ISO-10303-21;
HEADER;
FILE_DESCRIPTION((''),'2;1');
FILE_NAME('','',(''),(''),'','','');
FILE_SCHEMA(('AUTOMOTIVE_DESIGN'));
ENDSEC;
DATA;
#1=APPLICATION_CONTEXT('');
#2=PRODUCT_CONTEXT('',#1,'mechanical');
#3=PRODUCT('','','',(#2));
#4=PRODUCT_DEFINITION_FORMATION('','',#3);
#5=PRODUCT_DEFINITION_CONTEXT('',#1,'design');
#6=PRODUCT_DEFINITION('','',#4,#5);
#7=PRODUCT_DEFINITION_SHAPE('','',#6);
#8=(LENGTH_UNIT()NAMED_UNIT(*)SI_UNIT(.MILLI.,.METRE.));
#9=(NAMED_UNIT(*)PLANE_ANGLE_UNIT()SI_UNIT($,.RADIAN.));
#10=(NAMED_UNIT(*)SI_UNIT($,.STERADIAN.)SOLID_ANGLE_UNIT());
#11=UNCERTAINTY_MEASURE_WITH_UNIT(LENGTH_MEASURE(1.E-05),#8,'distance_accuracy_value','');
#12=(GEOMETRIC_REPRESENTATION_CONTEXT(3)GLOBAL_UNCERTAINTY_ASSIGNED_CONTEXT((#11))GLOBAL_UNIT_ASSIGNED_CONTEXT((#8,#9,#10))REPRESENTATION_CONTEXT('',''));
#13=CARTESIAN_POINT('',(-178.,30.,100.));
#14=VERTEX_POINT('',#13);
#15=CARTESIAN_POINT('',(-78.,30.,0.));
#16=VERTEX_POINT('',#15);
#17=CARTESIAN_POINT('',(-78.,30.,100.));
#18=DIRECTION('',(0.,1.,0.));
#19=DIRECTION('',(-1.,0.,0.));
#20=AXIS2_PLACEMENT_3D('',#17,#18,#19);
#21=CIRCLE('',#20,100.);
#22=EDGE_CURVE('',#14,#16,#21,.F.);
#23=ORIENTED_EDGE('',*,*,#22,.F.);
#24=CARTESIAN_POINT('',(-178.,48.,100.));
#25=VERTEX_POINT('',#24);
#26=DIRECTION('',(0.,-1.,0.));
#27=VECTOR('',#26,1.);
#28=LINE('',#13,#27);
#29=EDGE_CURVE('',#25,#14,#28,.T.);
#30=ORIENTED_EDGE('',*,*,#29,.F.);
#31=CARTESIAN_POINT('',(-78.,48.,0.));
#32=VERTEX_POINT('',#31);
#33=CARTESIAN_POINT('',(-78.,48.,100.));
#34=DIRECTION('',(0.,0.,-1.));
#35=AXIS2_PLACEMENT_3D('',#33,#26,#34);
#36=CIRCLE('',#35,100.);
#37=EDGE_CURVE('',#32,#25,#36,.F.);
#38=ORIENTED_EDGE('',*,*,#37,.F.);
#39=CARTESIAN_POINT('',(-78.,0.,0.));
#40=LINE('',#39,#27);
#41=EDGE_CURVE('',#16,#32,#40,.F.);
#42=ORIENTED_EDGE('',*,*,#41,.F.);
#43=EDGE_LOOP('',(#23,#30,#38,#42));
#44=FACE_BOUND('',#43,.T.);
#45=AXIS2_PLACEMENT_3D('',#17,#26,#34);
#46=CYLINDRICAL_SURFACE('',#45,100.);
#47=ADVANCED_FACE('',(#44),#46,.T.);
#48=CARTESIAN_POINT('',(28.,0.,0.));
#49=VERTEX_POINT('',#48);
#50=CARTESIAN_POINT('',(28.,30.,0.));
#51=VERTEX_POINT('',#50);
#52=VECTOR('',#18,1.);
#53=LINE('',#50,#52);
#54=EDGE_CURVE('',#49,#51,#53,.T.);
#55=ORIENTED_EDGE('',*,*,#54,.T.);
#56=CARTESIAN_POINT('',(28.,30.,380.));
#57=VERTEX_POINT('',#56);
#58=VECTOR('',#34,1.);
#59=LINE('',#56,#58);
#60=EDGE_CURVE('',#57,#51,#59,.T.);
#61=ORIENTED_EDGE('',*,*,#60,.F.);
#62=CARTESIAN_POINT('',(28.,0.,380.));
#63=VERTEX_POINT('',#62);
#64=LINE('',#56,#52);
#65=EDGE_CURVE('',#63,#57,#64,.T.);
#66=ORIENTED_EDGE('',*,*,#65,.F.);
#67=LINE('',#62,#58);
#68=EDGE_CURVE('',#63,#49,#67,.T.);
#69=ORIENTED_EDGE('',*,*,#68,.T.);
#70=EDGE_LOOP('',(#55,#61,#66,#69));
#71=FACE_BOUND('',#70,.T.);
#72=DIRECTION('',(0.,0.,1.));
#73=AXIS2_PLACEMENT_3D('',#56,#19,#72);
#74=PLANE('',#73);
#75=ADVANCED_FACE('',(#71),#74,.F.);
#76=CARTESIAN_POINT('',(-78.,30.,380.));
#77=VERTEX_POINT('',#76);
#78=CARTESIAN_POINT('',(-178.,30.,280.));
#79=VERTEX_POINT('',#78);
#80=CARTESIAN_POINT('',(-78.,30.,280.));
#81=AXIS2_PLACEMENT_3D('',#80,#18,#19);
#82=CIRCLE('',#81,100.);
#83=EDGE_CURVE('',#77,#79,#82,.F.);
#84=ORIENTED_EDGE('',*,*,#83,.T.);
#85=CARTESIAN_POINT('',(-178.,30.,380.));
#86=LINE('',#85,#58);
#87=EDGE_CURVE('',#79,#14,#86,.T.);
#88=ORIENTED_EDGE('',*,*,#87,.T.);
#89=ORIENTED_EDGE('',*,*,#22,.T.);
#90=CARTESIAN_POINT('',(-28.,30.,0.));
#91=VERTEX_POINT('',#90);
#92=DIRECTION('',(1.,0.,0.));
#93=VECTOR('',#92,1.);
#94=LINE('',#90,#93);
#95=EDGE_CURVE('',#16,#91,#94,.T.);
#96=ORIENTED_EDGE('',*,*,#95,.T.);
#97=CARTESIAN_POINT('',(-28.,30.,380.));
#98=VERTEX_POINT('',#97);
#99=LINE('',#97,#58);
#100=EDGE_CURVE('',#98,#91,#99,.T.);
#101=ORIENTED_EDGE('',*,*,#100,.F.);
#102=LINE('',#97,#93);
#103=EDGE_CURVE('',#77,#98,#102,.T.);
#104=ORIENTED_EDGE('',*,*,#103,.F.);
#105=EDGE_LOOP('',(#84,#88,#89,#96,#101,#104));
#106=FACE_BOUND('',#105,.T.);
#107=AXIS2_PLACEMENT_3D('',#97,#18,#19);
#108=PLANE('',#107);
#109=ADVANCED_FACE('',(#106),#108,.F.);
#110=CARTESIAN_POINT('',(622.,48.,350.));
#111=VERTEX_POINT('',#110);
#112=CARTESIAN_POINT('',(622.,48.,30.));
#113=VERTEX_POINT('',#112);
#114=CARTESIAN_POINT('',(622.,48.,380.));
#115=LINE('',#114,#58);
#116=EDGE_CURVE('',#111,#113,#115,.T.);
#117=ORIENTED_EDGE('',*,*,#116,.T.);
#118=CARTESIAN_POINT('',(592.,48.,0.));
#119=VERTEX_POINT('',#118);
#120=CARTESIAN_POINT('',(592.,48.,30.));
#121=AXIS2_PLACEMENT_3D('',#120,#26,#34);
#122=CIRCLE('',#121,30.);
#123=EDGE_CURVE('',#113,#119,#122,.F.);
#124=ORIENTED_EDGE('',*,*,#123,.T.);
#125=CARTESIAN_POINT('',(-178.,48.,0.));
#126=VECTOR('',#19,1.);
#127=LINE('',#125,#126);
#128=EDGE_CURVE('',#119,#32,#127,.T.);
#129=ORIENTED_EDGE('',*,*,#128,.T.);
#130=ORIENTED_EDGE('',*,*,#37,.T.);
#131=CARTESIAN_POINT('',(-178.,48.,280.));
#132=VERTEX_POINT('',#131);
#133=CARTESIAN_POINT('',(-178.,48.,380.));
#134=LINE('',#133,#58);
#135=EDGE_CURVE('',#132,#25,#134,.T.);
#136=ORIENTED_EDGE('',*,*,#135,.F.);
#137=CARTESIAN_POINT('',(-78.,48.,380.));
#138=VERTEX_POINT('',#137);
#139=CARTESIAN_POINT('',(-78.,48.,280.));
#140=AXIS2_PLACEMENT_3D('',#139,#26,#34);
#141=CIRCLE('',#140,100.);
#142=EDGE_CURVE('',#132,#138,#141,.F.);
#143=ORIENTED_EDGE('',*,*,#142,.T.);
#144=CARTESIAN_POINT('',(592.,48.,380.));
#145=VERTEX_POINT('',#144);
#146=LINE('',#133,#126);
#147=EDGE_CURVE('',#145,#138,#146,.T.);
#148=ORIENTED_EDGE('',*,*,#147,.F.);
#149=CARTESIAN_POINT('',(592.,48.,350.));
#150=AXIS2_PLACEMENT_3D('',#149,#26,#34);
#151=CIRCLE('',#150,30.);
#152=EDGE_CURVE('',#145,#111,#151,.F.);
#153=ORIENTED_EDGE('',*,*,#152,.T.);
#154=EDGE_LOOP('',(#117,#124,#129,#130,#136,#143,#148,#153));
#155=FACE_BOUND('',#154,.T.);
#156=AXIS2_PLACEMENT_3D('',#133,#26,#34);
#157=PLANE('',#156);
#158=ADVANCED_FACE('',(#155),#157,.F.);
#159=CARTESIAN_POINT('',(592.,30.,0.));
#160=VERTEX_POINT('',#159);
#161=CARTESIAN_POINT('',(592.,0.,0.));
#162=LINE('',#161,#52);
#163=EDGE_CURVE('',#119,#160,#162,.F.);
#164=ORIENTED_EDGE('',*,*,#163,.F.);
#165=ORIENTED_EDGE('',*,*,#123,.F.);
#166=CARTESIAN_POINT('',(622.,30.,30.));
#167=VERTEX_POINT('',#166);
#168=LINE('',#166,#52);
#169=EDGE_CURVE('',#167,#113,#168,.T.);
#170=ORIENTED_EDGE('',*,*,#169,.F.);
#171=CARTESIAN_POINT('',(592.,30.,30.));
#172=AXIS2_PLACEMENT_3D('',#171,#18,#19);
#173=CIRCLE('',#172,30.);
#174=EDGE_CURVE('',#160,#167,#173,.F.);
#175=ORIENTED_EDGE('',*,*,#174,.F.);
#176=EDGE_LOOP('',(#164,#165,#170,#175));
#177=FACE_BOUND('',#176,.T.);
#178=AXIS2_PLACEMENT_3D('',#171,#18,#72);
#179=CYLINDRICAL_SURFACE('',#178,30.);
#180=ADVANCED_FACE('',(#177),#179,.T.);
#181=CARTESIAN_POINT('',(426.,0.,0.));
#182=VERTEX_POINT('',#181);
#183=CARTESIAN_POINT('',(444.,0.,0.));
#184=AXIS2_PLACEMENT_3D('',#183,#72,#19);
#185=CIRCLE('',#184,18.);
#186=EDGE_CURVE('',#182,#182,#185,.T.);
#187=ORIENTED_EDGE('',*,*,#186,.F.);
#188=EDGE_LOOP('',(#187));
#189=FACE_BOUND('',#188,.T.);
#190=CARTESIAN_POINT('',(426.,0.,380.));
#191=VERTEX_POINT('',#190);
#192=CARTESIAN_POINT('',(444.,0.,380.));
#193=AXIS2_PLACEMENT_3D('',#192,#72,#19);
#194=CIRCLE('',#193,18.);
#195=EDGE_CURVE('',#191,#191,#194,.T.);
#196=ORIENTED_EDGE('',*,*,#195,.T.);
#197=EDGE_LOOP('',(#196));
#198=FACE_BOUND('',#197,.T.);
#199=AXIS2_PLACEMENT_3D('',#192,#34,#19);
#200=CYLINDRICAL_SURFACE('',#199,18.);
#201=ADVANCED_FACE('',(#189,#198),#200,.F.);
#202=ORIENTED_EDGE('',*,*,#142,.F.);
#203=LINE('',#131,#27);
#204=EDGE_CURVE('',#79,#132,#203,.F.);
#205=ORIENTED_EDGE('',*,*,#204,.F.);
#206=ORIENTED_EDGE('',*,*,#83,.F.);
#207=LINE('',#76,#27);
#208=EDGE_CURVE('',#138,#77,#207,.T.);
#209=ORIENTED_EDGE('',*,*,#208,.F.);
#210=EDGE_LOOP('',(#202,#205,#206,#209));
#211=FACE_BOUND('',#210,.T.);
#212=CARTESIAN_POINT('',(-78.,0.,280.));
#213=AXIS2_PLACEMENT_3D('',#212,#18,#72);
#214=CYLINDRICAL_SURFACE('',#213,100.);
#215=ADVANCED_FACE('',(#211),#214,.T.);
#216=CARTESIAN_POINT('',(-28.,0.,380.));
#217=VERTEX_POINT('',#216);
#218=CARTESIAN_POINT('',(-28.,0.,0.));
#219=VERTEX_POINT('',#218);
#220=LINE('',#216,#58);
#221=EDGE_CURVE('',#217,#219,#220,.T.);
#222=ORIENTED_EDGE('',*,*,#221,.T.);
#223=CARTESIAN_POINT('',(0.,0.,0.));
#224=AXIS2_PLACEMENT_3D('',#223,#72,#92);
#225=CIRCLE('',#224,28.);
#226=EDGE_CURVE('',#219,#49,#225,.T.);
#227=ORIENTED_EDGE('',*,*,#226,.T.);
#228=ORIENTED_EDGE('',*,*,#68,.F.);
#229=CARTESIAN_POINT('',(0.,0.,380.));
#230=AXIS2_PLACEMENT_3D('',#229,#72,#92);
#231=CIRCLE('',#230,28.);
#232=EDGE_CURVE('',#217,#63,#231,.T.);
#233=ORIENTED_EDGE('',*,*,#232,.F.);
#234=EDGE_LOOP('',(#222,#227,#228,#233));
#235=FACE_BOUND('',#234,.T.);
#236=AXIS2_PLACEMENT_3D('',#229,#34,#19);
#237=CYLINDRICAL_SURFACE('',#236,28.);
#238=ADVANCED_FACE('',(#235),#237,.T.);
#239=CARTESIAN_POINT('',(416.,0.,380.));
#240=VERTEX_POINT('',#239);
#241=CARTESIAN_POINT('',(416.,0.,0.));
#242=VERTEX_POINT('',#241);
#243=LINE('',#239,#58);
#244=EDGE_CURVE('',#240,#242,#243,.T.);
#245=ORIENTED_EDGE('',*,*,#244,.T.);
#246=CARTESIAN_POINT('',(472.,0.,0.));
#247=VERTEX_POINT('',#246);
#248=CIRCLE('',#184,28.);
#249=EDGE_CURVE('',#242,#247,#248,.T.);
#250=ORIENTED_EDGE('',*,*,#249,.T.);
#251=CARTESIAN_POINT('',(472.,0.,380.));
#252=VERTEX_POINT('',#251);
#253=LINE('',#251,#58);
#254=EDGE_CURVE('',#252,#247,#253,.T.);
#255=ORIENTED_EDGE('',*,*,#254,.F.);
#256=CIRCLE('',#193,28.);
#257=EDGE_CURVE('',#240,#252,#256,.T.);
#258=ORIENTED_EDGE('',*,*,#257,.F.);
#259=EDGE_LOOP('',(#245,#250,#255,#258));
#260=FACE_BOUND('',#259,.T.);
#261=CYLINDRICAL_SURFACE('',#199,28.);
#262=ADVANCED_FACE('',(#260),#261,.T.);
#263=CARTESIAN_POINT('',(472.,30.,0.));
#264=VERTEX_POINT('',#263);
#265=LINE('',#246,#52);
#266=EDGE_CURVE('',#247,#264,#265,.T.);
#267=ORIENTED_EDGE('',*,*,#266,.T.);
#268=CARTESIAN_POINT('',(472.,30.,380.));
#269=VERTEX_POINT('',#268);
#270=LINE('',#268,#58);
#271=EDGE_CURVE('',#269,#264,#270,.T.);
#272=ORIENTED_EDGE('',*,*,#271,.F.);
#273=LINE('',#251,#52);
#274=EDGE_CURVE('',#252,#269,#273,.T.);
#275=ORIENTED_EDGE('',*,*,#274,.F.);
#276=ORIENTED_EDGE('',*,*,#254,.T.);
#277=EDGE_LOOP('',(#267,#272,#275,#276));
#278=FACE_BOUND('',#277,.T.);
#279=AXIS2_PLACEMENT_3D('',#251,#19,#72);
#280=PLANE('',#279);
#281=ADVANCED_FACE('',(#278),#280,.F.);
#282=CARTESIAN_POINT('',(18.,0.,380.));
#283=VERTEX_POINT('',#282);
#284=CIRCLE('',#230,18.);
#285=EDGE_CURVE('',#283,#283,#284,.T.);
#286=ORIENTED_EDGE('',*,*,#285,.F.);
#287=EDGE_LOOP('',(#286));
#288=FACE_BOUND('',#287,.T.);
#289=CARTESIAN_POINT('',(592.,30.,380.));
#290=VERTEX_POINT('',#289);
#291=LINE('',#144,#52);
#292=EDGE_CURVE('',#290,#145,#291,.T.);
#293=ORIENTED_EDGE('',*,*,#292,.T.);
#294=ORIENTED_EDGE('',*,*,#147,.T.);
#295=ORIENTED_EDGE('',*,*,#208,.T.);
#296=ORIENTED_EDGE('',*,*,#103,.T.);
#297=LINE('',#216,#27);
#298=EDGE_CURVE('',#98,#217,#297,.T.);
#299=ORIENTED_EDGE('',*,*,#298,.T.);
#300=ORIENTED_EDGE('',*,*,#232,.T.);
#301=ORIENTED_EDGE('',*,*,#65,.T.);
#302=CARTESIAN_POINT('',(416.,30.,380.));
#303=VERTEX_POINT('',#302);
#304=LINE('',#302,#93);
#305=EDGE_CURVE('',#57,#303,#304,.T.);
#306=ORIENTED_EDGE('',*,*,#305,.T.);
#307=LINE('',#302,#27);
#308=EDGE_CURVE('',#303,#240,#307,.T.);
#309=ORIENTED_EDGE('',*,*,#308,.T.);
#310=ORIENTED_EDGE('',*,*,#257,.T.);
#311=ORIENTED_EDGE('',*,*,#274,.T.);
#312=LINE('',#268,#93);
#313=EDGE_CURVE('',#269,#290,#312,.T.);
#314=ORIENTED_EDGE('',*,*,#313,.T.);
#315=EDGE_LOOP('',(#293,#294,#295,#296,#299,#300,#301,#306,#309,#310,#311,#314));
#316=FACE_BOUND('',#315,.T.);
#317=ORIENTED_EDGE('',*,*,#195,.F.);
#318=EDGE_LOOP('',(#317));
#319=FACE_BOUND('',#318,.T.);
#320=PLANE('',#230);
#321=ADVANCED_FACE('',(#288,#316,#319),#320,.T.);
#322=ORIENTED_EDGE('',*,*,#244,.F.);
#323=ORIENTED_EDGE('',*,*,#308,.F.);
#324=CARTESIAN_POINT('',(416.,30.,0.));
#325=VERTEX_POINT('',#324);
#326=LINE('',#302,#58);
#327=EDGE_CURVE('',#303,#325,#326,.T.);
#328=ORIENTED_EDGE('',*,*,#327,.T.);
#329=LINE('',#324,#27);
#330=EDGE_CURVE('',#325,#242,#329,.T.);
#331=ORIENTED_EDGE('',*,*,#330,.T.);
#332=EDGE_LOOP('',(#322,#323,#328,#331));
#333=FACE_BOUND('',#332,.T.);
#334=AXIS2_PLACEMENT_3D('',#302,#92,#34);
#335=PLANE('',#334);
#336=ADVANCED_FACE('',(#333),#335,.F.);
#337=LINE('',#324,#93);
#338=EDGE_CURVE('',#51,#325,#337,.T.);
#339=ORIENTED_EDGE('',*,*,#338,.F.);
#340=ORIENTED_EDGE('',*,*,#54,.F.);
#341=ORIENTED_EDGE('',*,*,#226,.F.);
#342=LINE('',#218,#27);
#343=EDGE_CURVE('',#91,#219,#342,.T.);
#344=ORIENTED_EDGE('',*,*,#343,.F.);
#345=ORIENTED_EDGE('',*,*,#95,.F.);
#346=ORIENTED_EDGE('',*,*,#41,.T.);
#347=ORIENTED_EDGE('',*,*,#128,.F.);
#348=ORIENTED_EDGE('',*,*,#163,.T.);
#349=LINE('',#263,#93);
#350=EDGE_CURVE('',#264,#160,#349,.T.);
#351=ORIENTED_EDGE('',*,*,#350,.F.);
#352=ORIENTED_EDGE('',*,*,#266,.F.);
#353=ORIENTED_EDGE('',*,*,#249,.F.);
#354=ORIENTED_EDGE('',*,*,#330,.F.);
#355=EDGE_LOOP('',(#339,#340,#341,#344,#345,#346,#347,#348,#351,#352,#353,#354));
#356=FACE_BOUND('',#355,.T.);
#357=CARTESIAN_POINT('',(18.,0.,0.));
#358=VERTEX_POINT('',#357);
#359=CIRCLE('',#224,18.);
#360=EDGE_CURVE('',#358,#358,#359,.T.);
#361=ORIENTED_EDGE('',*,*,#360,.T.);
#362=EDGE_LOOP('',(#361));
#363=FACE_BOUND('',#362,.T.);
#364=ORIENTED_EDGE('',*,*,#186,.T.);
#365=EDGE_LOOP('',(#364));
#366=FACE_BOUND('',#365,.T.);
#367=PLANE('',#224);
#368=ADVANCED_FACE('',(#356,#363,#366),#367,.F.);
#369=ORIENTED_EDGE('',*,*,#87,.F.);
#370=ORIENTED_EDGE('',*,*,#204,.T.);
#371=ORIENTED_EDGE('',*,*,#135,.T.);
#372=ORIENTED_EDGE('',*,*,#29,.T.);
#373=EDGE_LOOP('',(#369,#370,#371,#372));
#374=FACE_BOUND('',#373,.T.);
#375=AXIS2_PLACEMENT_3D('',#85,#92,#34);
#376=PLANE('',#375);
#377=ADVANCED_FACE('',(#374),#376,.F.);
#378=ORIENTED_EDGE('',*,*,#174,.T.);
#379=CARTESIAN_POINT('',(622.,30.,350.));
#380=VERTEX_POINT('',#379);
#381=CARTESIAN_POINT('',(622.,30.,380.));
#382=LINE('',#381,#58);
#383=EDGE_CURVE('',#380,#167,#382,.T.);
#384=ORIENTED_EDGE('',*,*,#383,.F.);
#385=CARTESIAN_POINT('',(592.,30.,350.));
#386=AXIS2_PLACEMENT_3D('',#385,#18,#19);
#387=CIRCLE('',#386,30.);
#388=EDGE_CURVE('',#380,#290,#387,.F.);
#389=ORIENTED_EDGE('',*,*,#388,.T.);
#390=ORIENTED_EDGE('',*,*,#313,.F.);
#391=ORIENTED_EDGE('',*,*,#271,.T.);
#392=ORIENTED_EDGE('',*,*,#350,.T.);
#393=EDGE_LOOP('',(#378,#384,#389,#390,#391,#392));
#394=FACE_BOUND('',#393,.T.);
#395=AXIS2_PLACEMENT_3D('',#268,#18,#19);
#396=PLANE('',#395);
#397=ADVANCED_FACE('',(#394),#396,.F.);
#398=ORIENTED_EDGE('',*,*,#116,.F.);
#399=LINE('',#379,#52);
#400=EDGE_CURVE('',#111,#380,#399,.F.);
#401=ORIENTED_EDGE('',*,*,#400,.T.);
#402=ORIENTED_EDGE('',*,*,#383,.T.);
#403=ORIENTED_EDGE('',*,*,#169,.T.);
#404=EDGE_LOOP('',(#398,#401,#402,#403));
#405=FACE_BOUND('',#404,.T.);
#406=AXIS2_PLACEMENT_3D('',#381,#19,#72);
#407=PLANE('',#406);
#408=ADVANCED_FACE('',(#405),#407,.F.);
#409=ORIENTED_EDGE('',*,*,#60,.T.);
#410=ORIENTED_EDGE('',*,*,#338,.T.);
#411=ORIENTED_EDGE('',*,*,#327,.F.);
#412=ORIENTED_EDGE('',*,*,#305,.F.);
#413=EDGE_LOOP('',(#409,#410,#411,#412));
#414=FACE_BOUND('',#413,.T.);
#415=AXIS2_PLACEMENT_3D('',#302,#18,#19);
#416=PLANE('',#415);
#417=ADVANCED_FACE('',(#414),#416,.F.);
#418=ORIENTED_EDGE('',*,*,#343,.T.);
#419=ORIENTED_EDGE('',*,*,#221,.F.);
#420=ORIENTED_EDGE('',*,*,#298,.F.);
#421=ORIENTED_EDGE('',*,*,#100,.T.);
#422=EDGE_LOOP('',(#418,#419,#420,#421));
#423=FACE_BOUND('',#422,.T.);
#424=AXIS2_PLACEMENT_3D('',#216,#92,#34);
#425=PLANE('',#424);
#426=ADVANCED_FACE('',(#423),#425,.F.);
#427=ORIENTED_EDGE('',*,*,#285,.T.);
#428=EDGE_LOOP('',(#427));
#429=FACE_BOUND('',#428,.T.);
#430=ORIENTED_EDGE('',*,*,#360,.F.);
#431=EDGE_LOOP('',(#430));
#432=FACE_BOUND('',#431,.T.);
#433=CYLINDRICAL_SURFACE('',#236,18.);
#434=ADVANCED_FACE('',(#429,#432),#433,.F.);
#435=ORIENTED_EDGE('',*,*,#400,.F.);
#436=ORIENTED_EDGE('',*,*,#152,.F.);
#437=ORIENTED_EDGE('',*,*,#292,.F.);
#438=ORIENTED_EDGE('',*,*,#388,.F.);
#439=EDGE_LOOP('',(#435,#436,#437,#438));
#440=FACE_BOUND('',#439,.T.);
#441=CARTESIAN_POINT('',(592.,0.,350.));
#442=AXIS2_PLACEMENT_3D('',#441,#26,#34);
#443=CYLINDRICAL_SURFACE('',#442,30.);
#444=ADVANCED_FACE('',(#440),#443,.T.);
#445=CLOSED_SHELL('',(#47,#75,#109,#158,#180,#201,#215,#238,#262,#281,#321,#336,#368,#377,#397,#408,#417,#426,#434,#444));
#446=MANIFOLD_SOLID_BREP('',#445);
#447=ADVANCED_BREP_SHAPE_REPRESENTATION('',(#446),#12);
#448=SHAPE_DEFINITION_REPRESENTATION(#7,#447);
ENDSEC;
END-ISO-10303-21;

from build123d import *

# Parameters (mm, degrees)
IZIM1_R                     = 18
Y_KSEKLIK_EKSTR_ZYON1_DEPTH = 380
RADYUS1_R                   = 100
RADYUS2_R                   = 30


with BuildPart() as part:
    # Çizim1 → Yükseklik-Ekstrüzyon1 (new body)
    with BuildSketch(Plane.XY):
        with BuildLine():
            Line((-28, 0), (-28, 30))
            Line((-28, 30), (-178, 30))
            Line((-178, 30), (-178, 48))
            Line((-178, 48), (622, 48))
            Line((622, 48), (622, 30))
            Line((622, 30), (472, 30))
            Line((472, 30), (472, 0))
            ThreePointArc((472, 0), (444, -28), (416, 0))
            Line((416, 0), (416, 30))
            Line((416, 30), (28, 30))
            Line((28, 30), (28, 0))
            ThreePointArc((28, 0), (0, -28), (-28, 0))
        make_face()
        Circle(IZIM1_R, mode=Mode.SUBTRACT)
        with Locations((444, 0)):
            Circle(IZIM1_R, mode=Mode.SUBTRACT)
    extrude(amount=Y_KSEKLIK_EKSTR_ZYON1_DEPTH)

    # Radyus1
    radyus1_edges = [part.edges().sort_by_distance(p)[0] for p in [
        (-178, 39, 0),
        (-178, 39, 380),
    ]]
    fillet(radyus1_edges, radius=RADYUS1_R)

    # Radyus2
    radyus2_edges = [part.edges().sort_by_distance(p)[0] for p in [
        (622, 39, 0),
        (622, 39, 380),
    ]]
    fillet(radyus2_edges, radius=RADYUS2_R)


solid = part.part
